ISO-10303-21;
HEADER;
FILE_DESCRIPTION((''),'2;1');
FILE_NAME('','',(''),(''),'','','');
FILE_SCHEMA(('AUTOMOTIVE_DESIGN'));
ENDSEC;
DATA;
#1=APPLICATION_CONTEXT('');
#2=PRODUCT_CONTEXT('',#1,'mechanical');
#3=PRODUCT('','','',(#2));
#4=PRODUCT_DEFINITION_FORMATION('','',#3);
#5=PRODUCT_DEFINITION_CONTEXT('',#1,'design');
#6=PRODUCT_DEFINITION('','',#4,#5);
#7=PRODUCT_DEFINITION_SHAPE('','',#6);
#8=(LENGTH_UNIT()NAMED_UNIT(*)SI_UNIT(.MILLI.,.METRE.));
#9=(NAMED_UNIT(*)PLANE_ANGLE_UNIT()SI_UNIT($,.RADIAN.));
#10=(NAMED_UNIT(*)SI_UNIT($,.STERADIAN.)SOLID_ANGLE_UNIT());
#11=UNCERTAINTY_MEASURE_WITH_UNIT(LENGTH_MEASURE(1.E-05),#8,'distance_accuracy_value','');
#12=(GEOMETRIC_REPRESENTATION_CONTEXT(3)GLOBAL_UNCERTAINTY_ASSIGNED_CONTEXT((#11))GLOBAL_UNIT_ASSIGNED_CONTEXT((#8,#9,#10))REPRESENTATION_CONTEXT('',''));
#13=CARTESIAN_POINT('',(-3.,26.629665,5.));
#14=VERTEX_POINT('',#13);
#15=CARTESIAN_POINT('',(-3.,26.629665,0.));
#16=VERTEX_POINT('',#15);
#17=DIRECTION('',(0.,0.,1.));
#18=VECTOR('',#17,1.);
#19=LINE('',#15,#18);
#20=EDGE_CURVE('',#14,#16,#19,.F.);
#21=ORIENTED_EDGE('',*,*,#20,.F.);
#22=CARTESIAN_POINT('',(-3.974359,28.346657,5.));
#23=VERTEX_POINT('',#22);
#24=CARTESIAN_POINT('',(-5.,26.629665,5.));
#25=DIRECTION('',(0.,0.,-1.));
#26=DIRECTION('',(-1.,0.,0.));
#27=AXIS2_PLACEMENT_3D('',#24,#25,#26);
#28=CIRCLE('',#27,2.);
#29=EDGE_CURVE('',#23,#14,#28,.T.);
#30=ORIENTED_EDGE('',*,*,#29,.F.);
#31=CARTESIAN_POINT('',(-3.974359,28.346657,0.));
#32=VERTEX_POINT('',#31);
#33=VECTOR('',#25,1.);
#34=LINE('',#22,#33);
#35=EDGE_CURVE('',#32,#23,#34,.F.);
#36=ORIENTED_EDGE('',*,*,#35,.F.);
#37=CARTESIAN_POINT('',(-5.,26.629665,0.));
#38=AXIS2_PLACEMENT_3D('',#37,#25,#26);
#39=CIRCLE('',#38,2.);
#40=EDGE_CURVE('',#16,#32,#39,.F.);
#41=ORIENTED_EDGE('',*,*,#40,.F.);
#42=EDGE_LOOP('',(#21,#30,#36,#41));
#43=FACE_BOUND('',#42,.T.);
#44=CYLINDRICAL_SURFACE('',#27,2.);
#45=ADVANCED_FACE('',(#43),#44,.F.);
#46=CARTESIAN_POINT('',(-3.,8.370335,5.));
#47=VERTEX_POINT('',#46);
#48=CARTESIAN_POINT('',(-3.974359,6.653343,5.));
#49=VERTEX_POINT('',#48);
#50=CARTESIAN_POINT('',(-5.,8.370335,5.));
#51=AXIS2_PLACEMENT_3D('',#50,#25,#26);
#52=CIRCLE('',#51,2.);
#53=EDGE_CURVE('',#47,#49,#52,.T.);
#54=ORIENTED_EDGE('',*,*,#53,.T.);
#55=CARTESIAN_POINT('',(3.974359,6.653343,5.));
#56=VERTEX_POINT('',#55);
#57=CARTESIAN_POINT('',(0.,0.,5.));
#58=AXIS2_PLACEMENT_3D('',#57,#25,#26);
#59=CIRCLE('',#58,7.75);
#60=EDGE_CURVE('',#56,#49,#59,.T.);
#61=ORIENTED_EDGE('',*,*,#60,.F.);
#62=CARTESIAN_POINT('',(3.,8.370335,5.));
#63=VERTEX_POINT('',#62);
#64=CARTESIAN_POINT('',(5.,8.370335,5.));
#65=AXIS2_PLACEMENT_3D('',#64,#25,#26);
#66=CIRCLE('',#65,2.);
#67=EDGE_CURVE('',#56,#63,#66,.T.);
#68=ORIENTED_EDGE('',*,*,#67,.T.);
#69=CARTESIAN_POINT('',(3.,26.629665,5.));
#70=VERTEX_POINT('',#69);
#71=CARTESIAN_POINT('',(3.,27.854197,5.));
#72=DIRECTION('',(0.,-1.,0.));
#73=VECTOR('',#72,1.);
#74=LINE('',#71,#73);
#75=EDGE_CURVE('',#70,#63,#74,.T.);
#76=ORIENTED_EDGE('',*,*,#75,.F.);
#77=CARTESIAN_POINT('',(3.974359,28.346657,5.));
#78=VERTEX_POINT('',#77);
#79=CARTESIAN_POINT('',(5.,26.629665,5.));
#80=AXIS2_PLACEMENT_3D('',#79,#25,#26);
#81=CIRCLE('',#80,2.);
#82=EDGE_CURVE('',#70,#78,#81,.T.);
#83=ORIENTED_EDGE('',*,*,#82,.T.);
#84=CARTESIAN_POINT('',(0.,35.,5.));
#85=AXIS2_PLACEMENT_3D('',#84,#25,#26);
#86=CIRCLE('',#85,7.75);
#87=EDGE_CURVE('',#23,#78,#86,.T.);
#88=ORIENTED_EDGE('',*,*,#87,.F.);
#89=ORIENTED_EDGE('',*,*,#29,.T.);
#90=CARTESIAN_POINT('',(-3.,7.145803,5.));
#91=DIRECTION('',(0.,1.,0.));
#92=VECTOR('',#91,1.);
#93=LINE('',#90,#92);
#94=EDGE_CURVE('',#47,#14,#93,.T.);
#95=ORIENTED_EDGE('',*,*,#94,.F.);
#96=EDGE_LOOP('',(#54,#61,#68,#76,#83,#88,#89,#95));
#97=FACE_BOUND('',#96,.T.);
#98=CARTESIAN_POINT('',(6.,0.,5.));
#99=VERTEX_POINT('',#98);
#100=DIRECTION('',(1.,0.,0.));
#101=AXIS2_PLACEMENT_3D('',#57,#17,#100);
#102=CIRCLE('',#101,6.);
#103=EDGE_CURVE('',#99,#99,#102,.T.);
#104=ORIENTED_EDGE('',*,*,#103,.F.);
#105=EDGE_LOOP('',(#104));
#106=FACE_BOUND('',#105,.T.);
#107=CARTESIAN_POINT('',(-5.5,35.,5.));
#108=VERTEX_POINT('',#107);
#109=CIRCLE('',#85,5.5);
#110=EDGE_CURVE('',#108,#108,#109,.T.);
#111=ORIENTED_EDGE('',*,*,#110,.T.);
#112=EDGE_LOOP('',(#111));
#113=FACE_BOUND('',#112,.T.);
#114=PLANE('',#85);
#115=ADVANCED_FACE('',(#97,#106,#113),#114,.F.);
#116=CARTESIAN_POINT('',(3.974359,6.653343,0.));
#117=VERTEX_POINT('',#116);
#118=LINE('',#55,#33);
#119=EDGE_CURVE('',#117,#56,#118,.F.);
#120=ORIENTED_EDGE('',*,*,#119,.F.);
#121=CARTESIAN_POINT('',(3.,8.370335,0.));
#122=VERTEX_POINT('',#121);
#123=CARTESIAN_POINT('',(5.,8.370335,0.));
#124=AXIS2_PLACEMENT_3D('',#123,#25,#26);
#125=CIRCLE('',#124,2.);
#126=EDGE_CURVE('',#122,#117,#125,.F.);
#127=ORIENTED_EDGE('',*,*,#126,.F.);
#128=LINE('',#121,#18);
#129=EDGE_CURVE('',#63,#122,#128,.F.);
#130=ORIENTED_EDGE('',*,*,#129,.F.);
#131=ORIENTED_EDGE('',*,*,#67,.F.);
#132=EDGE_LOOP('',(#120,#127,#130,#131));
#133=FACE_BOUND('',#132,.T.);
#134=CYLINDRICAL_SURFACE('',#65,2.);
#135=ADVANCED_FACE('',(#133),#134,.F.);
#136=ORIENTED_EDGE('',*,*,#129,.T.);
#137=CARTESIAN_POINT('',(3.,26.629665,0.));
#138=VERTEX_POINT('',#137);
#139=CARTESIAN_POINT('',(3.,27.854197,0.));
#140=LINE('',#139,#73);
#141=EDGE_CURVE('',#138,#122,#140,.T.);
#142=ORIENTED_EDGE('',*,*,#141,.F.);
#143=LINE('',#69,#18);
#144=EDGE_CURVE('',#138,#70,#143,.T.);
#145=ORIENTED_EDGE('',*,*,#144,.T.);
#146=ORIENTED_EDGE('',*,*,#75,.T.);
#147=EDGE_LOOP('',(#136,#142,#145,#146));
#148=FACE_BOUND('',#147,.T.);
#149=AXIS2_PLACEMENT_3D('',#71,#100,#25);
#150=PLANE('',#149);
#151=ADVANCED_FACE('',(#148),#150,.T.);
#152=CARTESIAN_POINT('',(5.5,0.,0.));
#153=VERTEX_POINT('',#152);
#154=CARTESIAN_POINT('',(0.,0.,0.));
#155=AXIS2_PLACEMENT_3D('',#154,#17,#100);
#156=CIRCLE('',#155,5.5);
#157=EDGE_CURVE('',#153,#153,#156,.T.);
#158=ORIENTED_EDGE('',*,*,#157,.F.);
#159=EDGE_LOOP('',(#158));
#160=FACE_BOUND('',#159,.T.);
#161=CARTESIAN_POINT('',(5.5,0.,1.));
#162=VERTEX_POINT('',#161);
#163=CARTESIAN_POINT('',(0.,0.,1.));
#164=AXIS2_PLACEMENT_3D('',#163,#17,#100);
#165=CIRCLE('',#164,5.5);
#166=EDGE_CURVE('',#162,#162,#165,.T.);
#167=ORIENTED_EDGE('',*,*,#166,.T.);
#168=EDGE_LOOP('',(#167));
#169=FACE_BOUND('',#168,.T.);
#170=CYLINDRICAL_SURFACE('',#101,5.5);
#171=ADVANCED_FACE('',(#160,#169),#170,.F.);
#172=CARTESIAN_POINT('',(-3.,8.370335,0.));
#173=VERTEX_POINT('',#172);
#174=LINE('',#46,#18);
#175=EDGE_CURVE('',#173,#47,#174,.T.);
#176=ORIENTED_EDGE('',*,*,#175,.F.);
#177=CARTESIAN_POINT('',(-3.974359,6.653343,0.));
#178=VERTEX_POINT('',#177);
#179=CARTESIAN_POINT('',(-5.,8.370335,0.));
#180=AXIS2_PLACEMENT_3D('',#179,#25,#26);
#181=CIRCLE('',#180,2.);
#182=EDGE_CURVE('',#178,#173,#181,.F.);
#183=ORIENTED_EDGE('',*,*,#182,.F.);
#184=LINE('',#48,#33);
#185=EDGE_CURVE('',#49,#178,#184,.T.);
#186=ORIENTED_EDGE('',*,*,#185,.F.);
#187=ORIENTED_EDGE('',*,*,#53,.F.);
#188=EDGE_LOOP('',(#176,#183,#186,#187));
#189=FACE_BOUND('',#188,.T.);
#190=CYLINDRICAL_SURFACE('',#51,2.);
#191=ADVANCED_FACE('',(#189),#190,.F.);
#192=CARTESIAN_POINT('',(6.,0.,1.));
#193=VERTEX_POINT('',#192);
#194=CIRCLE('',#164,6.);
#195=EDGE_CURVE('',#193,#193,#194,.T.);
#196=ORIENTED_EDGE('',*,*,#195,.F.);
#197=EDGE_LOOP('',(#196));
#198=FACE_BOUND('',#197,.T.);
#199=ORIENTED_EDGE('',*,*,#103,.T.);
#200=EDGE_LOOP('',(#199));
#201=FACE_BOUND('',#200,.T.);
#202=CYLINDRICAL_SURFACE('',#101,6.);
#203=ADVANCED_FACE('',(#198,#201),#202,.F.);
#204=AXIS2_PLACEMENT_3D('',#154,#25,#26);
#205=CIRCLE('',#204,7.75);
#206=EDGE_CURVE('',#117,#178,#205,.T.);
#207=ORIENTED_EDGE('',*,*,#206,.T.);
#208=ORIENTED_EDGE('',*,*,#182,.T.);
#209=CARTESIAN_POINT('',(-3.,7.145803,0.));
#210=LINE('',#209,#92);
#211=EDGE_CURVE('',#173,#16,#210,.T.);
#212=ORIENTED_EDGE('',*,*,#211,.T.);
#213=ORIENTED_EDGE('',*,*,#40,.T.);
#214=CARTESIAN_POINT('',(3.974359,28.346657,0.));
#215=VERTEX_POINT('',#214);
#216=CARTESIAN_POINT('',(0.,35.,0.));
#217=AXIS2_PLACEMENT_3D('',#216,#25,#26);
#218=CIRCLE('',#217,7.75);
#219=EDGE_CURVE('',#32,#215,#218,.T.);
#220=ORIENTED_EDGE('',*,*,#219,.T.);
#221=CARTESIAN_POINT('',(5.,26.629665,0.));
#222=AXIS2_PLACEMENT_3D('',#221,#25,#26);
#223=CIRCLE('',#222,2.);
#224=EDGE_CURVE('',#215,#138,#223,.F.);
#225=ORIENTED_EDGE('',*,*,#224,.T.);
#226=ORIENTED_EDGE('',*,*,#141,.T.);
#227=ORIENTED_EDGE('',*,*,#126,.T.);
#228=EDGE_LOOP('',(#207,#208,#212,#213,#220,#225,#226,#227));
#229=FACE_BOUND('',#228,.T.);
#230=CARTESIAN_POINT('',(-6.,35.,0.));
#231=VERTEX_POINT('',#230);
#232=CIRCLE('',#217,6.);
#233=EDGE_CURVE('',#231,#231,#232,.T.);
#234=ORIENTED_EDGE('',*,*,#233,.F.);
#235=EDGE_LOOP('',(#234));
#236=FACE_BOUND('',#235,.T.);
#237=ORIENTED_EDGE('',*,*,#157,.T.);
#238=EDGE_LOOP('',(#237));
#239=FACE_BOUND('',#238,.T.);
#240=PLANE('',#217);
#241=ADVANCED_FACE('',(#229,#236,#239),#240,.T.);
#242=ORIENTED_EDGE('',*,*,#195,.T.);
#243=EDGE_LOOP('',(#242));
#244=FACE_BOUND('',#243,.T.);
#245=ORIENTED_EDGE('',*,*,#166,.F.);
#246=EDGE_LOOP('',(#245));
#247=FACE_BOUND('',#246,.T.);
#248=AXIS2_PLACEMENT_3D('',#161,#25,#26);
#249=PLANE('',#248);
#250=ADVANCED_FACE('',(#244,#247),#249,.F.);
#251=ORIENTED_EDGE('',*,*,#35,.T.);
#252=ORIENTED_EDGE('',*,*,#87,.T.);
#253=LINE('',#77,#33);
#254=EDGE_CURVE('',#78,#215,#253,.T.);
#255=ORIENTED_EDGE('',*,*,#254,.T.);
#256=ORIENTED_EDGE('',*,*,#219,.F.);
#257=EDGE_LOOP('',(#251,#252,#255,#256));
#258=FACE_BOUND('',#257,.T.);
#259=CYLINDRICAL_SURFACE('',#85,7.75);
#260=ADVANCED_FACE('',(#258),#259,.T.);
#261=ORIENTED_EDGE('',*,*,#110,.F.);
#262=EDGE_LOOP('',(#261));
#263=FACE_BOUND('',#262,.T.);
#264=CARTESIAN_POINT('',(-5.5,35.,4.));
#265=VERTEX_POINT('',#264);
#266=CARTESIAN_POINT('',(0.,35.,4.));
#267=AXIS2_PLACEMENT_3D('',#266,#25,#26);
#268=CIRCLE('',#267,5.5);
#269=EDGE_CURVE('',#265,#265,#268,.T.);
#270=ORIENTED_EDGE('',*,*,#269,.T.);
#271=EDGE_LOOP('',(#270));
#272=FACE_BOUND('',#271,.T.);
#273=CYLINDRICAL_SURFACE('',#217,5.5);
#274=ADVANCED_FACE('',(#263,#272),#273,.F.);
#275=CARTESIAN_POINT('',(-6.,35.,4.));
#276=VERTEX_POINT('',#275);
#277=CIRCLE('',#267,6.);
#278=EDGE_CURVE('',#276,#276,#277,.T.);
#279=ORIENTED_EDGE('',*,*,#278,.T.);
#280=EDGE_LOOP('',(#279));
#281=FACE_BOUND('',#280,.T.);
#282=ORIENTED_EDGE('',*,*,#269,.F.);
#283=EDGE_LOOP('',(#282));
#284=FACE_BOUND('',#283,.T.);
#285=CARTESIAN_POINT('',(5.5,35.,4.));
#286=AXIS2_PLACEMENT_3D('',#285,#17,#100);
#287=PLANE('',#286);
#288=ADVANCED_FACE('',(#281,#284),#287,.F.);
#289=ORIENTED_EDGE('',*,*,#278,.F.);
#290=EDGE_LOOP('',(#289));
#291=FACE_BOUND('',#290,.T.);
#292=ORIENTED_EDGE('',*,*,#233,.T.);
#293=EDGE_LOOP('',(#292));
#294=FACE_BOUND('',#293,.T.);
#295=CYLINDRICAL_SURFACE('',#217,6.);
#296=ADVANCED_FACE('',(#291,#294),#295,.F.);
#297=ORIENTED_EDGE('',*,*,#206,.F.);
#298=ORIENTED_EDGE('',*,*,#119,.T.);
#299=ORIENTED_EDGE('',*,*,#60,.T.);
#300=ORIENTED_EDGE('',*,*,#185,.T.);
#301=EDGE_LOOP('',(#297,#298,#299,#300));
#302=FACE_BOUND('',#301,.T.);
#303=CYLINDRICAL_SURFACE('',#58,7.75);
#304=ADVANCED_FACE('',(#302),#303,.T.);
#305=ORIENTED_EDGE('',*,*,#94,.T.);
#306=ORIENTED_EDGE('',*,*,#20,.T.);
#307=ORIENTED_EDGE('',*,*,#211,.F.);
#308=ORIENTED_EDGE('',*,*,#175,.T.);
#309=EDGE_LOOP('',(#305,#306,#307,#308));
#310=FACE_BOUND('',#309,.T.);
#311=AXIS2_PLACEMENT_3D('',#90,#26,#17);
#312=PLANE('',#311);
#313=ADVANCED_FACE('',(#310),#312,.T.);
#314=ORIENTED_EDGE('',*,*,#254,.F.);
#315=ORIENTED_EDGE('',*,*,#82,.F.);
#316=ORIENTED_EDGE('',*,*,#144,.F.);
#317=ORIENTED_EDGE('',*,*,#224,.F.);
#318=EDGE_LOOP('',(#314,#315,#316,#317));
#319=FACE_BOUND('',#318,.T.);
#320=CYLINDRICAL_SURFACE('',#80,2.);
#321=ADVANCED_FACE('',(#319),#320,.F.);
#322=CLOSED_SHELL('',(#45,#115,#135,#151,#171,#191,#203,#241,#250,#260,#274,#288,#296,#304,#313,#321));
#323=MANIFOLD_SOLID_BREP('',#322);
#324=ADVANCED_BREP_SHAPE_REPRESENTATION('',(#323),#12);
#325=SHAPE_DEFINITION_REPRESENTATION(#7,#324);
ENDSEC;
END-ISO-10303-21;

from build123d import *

# Parameters (mm, degrees)
EXTRUDE_1_DEPTH               = 5
HOLE_WIZARD_M10_1_D           = 11
HOLE_WIZARD_M10_1_CBORE_D     = 12
HOLE_WIZARD_M10_1_CBORE_DEPTH = 4
HOLE_WIZARD_M10_2_D           = 11
HOLE_WIZARD_M10_2_CBORE_D     = 12
HOLE_WIZARD_M10_2_CBORE_DEPTH = 4
FILLET_1_R                    = 2


with BuildPart() as part:
    # 草图1 → 凸台-拉伸1 (new body)
    with BuildSketch(Plane(origin=(0, 0, 0), x_dir=(-1, 0, 0), z_dir=(0, 0, -1))):
        with BuildLine():
            Line((-3, 27.854197036), (-3, 7.145802964))
            ThreePointArc((-3, 7.145802964), (0, -7.75), (3, 7.145802964))
            Line((3, 7.145802964), (3, 27.854197036))
            ThreePointArc((3, 27.854197036), (0, 42.75), (-3, 27.854197036))
        make_face()
    extrude(amount=-EXTRUDE_1_DEPTH)

    # M10 六角头螺栓的柱形沉头孔1 (through all)
    with Locations(Plane(origin=(0, 0, 0), x_dir=(-1, 0, 0), z_dir=(0, 0, -1))):
        with Locations((0, 35)):
            CounterBoreHole(HOLE_WIZARD_M10_1_D / 2, HOLE_WIZARD_M10_1_CBORE_D / 2, HOLE_WIZARD_M10_1_CBORE_DEPTH)

    # M10 六角头螺栓的柱形沉头孔2 (through all)
    with Locations(Plane.XY.offset(5)):
        with Locations((0, 0)):
            CounterBoreHole(HOLE_WIZARD_M10_2_D / 2, HOLE_WIZARD_M10_2_CBORE_D / 2, HOLE_WIZARD_M10_2_CBORE_DEPTH)

    # 圆角1
    fillet_1_edges = [part.edges().sort_by_distance(p)[0] for p in [
        (-3, 27.854197036, 2.5),
        (-3, 7.145802964, 2.5),
        (3, 7.145802964, 2.5),
        (3, 27.854197036, 2.5),
    ]]
    fillet(fillet_1_edges, radius=FILLET_1_R)


solid = part.part
